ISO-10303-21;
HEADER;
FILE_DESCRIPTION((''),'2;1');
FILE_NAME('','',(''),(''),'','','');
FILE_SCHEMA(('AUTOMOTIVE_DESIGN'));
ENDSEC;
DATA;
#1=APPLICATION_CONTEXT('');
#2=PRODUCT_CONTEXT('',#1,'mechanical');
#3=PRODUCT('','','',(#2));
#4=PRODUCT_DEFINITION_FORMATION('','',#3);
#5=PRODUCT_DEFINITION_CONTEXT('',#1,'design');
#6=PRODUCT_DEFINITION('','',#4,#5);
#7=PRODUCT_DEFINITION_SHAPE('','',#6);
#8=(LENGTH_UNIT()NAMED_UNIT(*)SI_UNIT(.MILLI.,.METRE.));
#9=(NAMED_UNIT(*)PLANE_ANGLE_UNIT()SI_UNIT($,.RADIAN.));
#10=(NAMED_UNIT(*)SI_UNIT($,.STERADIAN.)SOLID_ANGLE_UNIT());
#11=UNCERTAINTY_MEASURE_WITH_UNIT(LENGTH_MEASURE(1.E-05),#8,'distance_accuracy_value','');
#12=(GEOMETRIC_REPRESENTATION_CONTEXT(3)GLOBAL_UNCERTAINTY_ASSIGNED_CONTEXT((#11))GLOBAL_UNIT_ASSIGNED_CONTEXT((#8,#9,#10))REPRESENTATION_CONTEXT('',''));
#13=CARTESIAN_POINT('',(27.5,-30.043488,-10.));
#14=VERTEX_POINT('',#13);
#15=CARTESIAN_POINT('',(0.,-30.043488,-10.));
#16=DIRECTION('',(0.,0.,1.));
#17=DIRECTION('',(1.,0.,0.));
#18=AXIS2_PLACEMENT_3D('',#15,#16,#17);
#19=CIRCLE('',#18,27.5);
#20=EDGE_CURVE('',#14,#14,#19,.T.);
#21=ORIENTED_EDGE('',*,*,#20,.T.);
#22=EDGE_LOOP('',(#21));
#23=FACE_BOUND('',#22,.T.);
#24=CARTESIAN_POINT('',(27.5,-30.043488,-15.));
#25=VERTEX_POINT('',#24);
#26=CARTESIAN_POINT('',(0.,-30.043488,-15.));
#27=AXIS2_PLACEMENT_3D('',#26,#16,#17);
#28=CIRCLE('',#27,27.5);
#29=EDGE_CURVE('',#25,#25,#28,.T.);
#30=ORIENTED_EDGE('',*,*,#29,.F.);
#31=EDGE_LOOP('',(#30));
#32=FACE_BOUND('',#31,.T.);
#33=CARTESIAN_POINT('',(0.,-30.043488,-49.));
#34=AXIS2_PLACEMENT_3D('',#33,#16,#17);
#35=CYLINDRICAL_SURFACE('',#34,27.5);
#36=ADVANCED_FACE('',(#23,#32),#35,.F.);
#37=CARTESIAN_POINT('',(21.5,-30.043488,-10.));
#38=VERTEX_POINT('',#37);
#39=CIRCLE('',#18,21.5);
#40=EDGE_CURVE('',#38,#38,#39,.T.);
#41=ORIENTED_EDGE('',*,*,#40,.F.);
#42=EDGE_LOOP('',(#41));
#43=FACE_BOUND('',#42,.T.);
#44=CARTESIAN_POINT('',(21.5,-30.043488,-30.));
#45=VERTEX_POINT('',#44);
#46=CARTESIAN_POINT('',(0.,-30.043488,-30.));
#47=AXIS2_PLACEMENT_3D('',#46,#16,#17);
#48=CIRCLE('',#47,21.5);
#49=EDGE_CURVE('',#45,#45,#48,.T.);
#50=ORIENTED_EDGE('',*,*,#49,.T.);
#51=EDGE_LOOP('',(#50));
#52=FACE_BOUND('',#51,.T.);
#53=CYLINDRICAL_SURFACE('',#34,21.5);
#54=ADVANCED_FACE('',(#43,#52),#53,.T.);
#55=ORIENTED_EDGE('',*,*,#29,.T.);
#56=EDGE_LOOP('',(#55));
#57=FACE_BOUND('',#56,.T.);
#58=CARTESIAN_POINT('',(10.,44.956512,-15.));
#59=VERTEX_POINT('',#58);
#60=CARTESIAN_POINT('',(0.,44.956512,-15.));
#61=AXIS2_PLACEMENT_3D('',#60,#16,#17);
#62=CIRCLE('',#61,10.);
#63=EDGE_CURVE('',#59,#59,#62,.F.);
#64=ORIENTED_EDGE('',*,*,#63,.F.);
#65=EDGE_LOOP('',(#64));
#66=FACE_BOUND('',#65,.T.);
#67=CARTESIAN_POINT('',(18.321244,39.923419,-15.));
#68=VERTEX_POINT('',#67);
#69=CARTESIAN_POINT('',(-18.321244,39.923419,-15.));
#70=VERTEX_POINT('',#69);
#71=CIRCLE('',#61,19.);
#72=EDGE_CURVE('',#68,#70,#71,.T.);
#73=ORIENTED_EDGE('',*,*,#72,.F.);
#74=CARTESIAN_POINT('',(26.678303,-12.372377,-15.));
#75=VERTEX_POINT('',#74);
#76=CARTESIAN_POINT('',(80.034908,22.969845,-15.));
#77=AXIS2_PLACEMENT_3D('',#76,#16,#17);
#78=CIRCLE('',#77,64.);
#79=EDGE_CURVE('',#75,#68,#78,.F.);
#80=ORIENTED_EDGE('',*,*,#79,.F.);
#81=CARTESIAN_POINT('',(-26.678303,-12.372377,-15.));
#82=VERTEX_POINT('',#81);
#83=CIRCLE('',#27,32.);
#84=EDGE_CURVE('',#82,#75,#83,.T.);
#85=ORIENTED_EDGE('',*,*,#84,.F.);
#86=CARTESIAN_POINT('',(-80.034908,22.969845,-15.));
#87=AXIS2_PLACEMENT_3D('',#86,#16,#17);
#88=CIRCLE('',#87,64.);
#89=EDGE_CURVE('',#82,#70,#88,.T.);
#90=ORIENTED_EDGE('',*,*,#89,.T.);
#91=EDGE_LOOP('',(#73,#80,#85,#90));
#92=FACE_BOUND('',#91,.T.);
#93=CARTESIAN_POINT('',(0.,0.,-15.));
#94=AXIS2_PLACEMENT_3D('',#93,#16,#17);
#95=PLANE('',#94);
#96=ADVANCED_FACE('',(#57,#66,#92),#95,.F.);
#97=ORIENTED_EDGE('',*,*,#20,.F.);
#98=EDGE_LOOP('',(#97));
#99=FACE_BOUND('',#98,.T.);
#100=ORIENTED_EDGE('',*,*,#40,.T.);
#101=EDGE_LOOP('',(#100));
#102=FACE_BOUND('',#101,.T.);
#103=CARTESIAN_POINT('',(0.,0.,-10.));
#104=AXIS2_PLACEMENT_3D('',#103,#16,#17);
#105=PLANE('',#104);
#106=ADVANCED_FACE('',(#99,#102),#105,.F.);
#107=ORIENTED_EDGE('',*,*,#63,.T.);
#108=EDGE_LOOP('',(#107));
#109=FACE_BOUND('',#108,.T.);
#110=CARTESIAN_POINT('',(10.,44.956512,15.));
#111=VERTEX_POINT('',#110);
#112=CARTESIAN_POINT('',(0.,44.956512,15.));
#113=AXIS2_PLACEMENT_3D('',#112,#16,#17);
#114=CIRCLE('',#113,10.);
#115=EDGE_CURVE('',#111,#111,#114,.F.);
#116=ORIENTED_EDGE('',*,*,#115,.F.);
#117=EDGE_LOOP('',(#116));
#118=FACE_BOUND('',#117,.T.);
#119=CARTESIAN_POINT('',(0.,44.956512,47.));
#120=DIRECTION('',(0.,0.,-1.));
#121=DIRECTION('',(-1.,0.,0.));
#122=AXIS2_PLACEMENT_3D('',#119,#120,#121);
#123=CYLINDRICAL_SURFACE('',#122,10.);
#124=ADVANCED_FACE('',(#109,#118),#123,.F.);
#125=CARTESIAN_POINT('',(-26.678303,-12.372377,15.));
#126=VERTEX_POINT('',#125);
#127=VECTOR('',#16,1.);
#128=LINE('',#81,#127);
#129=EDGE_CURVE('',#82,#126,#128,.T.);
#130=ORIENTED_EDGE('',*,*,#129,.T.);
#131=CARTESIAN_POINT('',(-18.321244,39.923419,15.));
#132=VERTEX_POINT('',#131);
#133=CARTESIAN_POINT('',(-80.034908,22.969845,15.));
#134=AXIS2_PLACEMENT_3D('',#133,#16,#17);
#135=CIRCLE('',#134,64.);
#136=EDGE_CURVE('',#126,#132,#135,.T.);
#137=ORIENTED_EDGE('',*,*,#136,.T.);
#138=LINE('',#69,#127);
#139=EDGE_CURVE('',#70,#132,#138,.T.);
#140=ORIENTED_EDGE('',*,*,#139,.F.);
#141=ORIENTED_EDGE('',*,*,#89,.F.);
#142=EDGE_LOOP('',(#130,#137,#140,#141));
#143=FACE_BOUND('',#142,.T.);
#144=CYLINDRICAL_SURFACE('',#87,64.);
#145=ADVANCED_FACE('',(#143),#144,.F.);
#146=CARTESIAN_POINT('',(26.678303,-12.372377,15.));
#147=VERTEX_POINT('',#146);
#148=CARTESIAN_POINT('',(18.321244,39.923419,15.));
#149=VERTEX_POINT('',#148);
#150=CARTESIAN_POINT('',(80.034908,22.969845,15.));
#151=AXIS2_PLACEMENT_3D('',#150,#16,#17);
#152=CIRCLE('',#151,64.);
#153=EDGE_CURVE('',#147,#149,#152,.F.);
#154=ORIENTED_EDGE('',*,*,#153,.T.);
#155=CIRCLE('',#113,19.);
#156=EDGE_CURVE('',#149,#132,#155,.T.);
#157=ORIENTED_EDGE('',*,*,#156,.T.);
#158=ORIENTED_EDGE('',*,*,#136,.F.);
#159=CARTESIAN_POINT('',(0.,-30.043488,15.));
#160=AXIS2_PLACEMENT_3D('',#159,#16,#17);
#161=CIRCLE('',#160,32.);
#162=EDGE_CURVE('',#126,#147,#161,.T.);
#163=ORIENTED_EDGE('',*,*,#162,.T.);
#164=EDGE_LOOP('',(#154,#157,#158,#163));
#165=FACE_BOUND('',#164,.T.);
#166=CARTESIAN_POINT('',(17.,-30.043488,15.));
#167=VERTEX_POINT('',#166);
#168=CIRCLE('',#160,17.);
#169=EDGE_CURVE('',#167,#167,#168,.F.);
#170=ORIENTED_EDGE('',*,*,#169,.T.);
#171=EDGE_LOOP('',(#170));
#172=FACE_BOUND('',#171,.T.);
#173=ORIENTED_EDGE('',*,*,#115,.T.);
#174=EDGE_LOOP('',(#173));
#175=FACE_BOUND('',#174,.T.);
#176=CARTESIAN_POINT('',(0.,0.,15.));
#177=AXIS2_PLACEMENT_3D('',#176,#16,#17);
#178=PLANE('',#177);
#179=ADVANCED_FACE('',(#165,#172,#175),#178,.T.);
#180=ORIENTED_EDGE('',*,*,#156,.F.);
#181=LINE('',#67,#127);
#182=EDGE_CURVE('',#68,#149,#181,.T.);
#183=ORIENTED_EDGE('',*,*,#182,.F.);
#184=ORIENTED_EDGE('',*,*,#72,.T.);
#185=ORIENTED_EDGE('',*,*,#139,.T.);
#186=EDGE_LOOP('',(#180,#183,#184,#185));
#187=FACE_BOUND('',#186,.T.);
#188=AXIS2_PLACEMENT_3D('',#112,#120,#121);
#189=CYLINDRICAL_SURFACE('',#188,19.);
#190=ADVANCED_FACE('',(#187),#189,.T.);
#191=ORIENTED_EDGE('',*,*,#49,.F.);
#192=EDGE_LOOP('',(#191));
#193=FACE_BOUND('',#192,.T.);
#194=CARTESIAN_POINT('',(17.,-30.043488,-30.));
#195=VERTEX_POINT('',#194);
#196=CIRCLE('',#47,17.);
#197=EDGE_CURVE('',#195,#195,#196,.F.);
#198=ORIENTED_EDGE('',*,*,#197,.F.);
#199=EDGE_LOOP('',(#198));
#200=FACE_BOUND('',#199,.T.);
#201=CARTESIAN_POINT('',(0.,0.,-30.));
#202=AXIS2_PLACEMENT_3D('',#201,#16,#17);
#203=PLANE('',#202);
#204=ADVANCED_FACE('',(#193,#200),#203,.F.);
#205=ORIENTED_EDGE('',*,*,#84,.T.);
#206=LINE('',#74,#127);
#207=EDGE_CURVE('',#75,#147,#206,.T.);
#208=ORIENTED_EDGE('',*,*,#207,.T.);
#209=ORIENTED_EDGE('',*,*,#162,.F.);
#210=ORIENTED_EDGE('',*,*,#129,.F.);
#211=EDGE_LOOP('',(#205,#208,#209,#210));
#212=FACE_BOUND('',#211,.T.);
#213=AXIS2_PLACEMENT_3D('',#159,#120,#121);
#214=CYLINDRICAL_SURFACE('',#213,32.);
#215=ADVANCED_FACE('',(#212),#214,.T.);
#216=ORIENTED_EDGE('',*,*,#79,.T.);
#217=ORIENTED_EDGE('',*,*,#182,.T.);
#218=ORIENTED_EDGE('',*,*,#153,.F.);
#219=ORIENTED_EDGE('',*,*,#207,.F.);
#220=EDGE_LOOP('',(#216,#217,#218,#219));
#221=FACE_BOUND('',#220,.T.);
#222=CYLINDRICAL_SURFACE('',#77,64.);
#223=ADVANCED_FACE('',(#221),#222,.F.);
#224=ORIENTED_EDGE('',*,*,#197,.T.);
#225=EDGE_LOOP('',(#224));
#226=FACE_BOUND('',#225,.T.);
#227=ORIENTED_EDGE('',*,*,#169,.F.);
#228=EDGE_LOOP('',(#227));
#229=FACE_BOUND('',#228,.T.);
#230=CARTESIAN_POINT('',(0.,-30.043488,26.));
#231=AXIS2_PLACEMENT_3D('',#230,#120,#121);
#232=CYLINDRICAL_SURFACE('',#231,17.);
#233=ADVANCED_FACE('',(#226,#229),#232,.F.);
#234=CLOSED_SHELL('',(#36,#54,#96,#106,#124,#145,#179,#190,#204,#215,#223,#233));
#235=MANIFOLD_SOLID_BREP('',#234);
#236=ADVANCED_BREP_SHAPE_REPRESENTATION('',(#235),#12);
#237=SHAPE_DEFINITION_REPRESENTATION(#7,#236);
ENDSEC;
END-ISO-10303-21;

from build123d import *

# Parameters (mm, degrees)
Y_KSEKLIK_EKSTR_ZYON1_DEPTH      = 15
Y_KSEKLIK_EKSTR_ZYON1_DEPTH_BACK = 15
KES_EKSTR_ZYON2_START            = -10
IZIM1_8_R                        = 27.5
IZIM1_8_R_2                      = 21.5
KES_EKSTR_ZYON2_DEPTH            = 39
IZIM1_11_R                       = 21.5
Y_KSEKLIK_EKSTR_ZYON4_DEPTH      = 30
KES_EKSTR_ZYON3_DEPTH            = 26
KES_EKSTR_ZYON3_DEPTH_BACK       = 47
IZIM1_12_R                       = 17
KES_EKSTR_ZYON4_DEPTH            = 47
KES_EKSTR_ZYON4_DEPTH_BACK       = 47
IZIM1_13_R                       = 10


with BuildPart() as part:
    # Çizim1 → Yükseklik-Ekstrüzyon1 (new, two sides: drawn at the far end of the back side and taken through both)
    with BuildSketch(Plane.XY.offset(-Y_KSEKLIK_EKSTR_ZYON1_DEPTH_BACK)):
        with BuildLine():
            ThreePointArc((-26.678302647, -12.37237703), (0, -62.043488141), (26.678302647, -12.37237703))
            ThreePointArc((26.678302647, -12.37237703), (16.836772686, 12.870553113), (18.321243986, 39.923419489))
            ThreePointArc((18.321243986, 39.923419489), (0, 63.956511859), (-18.321243986, 39.923419489))
            ThreePointArc((-18.321243986, 39.923419489), (-16.836772686, 12.870553113), (-26.678302647, -12.37237703))
        make_face()
    extrude(amount=Y_KSEKLIK_EKSTR_ZYON1_DEPTH + Y_KSEKLIK_EKSTR_ZYON1_DEPTH_BACK)

    # Çizim1<8> → Kes-Ekstrüzyon2 (cut)
    with BuildSketch(Plane.XY.offset(KES_EKSTR_ZYON2_START)):
        with Locations((0, -30.043488141)):
            Circle(IZIM1_8_R)
        with Locations((0, -30.043488141)):
            Circle(IZIM1_8_R_2, mode=Mode.SUBTRACT)
    extrude(amount=-KES_EKSTR_ZYON2_DEPTH, mode=Mode.SUBTRACT)

    # Çizim1<11> → Yükseklik-Ekstrüzyon4 (add)
    with BuildSketch(Plane.XY):
        with Locations((0, -30.043488141)):
            Circle(IZIM1_11_R)
    extrude(amount=-Y_KSEKLIK_EKSTR_ZYON4_DEPTH)

    # Çizim1<12> → Kes-Ekstrüzyon3 (cut, two sides: drawn at the far end of the back side and taken through both)
    with BuildSketch(Plane.XY.offset(-KES_EKSTR_ZYON3_DEPTH_BACK)):
        with Locations((0, -30.043488141)):
            Circle(IZIM1_12_R)
    extrude(amount=KES_EKSTR_ZYON3_DEPTH + KES_EKSTR_ZYON3_DEPTH_BACK, mode=Mode.SUBTRACT)

    # Çizim1<13> → Kes-Ekstrüzyon4 (cut, two sides: drawn at the far end of the back side and taken through both)
    with BuildSketch(Plane.XY.offset(-KES_EKSTR_ZYON4_DEPTH_BACK)):
        with Locations((0, 44.956511859)):
            Circle(IZIM1_13_R)
    extrude(amount=KES_EKSTR_ZYON4_DEPTH + KES_EKSTR_ZYON4_DEPTH_BACK, mode=Mode.SUBTRACT)


solid = part.part
